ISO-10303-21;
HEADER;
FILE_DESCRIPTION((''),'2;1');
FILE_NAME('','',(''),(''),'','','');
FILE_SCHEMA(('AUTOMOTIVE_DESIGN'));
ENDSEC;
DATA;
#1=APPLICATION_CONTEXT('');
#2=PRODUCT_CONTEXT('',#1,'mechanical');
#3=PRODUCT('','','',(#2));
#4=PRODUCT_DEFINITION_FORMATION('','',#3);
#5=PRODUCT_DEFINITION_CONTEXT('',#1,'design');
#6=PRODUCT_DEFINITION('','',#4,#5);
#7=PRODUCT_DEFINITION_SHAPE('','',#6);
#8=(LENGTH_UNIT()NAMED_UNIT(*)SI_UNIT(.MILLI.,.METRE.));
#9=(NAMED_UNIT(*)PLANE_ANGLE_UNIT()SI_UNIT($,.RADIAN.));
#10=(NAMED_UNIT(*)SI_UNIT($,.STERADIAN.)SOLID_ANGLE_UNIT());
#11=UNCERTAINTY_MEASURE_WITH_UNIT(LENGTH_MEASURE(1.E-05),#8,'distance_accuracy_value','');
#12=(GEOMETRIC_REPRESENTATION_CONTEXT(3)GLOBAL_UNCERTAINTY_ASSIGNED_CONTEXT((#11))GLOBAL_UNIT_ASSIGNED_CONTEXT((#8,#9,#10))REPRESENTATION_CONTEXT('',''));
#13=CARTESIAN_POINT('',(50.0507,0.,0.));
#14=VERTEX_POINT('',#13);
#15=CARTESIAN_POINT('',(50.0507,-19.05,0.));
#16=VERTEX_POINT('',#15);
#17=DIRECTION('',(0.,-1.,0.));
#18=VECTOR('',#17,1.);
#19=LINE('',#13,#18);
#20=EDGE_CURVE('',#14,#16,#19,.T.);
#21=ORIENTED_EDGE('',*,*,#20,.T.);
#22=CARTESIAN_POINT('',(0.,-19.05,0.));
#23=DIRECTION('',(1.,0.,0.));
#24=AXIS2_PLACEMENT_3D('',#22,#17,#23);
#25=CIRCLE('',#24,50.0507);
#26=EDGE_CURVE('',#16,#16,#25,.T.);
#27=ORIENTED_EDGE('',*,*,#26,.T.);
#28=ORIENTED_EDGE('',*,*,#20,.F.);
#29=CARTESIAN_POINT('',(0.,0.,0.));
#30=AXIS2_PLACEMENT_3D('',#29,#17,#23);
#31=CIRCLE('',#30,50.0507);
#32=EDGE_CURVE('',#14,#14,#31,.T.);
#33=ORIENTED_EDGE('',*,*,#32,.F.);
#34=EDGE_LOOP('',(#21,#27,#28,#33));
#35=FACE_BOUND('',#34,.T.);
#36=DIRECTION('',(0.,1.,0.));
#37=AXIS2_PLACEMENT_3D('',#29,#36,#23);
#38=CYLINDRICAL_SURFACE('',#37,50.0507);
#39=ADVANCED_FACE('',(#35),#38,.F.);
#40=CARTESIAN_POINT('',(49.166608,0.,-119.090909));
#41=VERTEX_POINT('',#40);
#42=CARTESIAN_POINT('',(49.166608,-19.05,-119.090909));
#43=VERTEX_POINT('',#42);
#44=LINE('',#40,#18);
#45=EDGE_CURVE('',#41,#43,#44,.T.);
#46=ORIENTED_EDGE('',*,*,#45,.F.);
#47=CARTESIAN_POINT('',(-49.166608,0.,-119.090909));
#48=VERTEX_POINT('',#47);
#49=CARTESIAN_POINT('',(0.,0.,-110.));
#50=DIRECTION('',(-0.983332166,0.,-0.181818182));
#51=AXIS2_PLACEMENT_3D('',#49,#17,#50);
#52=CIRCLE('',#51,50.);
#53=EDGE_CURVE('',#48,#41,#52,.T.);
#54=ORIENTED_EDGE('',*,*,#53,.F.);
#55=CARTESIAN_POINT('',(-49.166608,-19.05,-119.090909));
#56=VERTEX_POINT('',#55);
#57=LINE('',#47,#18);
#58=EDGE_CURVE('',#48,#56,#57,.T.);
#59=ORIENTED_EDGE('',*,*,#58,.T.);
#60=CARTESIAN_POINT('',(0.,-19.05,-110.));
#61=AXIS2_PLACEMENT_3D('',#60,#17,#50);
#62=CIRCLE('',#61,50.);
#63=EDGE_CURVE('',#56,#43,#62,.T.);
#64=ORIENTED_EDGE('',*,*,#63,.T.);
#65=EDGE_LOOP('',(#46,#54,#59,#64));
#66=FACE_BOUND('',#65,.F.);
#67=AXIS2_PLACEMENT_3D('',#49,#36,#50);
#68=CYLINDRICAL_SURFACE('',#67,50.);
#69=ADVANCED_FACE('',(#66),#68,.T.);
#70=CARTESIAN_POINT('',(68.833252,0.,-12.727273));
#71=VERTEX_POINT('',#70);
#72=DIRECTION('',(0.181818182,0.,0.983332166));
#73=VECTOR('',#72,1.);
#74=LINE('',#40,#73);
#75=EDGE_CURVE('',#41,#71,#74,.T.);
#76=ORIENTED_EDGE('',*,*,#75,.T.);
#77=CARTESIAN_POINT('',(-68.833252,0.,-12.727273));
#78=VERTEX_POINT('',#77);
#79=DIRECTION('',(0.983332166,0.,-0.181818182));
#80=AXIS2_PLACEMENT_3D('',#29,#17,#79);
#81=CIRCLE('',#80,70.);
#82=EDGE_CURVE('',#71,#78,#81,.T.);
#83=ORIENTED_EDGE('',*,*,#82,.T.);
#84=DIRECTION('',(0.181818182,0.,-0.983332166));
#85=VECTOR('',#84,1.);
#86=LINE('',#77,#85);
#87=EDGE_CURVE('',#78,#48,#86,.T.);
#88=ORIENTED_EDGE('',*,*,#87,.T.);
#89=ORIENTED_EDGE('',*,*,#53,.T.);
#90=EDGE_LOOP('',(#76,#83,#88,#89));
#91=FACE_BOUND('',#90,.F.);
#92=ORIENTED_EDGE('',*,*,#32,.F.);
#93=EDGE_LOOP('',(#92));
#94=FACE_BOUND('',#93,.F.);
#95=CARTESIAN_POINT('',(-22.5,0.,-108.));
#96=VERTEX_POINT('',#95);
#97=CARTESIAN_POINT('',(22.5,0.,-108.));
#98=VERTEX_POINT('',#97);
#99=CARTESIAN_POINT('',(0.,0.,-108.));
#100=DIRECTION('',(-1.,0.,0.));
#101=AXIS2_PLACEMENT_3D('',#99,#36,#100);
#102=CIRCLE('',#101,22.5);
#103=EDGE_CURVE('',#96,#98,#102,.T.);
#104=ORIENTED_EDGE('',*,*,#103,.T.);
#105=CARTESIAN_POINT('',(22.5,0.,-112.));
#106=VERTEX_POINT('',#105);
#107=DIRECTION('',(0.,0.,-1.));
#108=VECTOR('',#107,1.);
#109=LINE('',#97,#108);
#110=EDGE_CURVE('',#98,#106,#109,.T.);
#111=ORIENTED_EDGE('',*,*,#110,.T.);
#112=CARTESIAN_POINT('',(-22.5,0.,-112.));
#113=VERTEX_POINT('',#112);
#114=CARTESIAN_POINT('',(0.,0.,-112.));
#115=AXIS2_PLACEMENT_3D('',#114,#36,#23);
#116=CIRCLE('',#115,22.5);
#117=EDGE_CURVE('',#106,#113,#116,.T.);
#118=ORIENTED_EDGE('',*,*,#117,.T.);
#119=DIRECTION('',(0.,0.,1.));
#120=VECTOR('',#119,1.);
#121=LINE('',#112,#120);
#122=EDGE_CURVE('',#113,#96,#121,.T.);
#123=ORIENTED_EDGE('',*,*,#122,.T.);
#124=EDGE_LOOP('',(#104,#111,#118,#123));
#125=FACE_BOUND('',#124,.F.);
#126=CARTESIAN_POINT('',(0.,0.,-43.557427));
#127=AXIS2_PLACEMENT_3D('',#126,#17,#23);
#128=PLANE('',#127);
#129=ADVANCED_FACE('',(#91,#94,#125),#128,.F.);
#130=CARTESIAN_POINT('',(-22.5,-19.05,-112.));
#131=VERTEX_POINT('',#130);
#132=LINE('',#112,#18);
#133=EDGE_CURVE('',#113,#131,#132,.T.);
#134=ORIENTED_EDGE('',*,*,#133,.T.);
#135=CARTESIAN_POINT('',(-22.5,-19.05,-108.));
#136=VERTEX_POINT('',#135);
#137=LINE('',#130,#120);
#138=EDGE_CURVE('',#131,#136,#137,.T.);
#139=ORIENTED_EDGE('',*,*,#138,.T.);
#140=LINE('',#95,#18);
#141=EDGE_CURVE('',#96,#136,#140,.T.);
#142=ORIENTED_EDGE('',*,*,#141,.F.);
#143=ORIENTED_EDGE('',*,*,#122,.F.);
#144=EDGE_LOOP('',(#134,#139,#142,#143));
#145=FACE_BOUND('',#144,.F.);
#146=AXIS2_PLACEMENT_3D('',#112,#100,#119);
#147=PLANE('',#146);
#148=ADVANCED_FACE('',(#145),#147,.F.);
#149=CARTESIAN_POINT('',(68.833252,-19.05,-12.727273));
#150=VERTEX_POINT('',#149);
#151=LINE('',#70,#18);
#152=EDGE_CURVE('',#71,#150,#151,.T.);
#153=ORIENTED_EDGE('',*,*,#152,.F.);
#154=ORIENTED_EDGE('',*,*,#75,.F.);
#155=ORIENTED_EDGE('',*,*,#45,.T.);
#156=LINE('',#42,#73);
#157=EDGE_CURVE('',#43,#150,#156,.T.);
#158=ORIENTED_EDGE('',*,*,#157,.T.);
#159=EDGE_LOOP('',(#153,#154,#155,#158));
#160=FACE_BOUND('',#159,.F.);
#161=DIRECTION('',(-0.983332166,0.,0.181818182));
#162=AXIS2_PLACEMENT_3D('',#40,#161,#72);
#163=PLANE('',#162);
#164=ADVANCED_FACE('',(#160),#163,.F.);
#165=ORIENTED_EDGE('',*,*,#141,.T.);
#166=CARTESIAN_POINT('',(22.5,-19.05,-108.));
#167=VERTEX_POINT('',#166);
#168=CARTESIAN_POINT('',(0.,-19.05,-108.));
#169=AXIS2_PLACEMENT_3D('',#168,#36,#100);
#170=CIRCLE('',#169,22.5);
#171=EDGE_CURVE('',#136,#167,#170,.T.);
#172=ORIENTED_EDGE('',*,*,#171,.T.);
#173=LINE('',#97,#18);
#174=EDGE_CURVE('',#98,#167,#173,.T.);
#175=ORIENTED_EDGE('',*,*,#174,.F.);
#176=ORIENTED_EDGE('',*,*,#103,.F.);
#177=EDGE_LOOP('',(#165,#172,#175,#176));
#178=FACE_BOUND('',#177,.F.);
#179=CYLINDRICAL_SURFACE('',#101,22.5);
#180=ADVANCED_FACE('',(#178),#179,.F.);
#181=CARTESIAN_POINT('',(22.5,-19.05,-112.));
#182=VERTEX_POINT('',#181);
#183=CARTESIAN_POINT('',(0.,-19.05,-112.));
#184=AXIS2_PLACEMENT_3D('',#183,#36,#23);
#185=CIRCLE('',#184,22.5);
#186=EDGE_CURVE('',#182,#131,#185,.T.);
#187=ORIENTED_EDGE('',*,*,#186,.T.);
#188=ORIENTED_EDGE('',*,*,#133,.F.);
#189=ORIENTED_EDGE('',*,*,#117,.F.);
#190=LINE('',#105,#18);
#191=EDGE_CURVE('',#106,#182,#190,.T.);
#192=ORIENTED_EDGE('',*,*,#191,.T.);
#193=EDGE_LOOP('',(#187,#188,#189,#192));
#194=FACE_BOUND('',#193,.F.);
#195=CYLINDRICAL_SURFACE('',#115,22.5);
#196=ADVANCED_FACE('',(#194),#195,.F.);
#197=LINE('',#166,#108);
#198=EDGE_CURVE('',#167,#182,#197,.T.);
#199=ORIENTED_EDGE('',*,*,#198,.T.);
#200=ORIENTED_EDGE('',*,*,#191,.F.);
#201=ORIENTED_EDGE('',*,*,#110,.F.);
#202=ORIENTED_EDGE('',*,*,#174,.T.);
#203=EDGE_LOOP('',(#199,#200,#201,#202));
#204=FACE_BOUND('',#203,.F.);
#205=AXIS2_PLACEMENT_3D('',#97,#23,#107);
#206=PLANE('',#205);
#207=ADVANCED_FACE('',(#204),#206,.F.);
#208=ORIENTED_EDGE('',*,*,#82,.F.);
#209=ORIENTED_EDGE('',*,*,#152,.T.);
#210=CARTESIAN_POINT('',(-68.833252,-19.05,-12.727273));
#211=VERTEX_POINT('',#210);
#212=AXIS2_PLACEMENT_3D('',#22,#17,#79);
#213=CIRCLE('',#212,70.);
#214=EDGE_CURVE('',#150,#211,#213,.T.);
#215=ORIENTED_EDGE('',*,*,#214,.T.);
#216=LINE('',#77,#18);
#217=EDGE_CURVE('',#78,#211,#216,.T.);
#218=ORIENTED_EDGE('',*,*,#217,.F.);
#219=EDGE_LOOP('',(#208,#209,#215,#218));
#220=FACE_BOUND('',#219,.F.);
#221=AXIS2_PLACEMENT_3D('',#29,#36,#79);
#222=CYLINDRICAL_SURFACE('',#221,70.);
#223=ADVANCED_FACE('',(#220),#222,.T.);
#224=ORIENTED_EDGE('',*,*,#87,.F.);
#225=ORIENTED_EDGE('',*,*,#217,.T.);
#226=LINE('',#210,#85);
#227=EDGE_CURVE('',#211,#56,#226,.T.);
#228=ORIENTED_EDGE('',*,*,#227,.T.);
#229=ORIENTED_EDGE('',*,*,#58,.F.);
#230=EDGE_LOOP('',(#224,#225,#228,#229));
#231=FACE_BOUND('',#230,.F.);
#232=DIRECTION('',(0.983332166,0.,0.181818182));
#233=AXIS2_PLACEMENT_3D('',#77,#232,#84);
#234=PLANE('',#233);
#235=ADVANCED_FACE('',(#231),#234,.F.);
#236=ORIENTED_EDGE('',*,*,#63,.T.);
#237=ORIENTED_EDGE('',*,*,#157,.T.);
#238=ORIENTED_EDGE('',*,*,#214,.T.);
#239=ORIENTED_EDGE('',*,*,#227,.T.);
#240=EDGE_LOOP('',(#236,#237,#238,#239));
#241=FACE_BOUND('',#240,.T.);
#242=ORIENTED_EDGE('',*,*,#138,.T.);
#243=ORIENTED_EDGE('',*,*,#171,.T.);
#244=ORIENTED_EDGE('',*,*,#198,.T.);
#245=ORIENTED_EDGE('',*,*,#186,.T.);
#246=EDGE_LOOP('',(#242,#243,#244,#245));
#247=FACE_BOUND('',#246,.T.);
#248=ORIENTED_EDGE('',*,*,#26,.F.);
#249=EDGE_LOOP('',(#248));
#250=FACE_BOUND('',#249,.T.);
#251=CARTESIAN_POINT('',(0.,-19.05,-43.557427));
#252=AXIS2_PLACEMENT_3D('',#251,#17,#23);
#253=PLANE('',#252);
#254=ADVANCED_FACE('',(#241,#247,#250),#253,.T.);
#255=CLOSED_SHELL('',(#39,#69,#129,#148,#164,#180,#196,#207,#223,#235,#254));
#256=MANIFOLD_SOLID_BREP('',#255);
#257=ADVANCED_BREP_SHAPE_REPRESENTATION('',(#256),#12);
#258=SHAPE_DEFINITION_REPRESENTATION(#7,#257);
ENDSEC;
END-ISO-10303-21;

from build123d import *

# Parameters (mm, degrees)
F0_R     = 50.0507
F1_DEPTH = 19.05


with BuildPart() as f1:
    # F0 (on Front) → F1 (new body)
    with BuildSketch(Plane.XZ):
        with BuildLine():
            Line((49.1666083018, -119.0909090909), (68.8332516225, -12.7272727273))
            ThreePointArc((68.8332516225, -12.7272727273), (0, 70), (-68.8332516225, -12.7272727273))
            Line((-68.8332516225, -12.7272727273), (-49.1666083018, -119.0909090909))
            ThreePointArc((-49.1666083018, -119.0909090909), (0, -160), (49.1666083018, -119.0909090909))
        make_face()
        with BuildLine():
            Line((-22.5, -112), (-22.5, -108))
            ThreePointArc((-22.5, -108), (0, -85.5), (22.5, -108))
            Line((22.5, -108), (22.5, -112))
            ThreePointArc((22.5, -112), (0, -134.5), (-22.5, -112))
        make_face(mode=Mode.SUBTRACT)
        Circle(F0_R, mode=Mode.SUBTRACT)
    extrude(amount=F1_DEPTH)


solid = f1.part
